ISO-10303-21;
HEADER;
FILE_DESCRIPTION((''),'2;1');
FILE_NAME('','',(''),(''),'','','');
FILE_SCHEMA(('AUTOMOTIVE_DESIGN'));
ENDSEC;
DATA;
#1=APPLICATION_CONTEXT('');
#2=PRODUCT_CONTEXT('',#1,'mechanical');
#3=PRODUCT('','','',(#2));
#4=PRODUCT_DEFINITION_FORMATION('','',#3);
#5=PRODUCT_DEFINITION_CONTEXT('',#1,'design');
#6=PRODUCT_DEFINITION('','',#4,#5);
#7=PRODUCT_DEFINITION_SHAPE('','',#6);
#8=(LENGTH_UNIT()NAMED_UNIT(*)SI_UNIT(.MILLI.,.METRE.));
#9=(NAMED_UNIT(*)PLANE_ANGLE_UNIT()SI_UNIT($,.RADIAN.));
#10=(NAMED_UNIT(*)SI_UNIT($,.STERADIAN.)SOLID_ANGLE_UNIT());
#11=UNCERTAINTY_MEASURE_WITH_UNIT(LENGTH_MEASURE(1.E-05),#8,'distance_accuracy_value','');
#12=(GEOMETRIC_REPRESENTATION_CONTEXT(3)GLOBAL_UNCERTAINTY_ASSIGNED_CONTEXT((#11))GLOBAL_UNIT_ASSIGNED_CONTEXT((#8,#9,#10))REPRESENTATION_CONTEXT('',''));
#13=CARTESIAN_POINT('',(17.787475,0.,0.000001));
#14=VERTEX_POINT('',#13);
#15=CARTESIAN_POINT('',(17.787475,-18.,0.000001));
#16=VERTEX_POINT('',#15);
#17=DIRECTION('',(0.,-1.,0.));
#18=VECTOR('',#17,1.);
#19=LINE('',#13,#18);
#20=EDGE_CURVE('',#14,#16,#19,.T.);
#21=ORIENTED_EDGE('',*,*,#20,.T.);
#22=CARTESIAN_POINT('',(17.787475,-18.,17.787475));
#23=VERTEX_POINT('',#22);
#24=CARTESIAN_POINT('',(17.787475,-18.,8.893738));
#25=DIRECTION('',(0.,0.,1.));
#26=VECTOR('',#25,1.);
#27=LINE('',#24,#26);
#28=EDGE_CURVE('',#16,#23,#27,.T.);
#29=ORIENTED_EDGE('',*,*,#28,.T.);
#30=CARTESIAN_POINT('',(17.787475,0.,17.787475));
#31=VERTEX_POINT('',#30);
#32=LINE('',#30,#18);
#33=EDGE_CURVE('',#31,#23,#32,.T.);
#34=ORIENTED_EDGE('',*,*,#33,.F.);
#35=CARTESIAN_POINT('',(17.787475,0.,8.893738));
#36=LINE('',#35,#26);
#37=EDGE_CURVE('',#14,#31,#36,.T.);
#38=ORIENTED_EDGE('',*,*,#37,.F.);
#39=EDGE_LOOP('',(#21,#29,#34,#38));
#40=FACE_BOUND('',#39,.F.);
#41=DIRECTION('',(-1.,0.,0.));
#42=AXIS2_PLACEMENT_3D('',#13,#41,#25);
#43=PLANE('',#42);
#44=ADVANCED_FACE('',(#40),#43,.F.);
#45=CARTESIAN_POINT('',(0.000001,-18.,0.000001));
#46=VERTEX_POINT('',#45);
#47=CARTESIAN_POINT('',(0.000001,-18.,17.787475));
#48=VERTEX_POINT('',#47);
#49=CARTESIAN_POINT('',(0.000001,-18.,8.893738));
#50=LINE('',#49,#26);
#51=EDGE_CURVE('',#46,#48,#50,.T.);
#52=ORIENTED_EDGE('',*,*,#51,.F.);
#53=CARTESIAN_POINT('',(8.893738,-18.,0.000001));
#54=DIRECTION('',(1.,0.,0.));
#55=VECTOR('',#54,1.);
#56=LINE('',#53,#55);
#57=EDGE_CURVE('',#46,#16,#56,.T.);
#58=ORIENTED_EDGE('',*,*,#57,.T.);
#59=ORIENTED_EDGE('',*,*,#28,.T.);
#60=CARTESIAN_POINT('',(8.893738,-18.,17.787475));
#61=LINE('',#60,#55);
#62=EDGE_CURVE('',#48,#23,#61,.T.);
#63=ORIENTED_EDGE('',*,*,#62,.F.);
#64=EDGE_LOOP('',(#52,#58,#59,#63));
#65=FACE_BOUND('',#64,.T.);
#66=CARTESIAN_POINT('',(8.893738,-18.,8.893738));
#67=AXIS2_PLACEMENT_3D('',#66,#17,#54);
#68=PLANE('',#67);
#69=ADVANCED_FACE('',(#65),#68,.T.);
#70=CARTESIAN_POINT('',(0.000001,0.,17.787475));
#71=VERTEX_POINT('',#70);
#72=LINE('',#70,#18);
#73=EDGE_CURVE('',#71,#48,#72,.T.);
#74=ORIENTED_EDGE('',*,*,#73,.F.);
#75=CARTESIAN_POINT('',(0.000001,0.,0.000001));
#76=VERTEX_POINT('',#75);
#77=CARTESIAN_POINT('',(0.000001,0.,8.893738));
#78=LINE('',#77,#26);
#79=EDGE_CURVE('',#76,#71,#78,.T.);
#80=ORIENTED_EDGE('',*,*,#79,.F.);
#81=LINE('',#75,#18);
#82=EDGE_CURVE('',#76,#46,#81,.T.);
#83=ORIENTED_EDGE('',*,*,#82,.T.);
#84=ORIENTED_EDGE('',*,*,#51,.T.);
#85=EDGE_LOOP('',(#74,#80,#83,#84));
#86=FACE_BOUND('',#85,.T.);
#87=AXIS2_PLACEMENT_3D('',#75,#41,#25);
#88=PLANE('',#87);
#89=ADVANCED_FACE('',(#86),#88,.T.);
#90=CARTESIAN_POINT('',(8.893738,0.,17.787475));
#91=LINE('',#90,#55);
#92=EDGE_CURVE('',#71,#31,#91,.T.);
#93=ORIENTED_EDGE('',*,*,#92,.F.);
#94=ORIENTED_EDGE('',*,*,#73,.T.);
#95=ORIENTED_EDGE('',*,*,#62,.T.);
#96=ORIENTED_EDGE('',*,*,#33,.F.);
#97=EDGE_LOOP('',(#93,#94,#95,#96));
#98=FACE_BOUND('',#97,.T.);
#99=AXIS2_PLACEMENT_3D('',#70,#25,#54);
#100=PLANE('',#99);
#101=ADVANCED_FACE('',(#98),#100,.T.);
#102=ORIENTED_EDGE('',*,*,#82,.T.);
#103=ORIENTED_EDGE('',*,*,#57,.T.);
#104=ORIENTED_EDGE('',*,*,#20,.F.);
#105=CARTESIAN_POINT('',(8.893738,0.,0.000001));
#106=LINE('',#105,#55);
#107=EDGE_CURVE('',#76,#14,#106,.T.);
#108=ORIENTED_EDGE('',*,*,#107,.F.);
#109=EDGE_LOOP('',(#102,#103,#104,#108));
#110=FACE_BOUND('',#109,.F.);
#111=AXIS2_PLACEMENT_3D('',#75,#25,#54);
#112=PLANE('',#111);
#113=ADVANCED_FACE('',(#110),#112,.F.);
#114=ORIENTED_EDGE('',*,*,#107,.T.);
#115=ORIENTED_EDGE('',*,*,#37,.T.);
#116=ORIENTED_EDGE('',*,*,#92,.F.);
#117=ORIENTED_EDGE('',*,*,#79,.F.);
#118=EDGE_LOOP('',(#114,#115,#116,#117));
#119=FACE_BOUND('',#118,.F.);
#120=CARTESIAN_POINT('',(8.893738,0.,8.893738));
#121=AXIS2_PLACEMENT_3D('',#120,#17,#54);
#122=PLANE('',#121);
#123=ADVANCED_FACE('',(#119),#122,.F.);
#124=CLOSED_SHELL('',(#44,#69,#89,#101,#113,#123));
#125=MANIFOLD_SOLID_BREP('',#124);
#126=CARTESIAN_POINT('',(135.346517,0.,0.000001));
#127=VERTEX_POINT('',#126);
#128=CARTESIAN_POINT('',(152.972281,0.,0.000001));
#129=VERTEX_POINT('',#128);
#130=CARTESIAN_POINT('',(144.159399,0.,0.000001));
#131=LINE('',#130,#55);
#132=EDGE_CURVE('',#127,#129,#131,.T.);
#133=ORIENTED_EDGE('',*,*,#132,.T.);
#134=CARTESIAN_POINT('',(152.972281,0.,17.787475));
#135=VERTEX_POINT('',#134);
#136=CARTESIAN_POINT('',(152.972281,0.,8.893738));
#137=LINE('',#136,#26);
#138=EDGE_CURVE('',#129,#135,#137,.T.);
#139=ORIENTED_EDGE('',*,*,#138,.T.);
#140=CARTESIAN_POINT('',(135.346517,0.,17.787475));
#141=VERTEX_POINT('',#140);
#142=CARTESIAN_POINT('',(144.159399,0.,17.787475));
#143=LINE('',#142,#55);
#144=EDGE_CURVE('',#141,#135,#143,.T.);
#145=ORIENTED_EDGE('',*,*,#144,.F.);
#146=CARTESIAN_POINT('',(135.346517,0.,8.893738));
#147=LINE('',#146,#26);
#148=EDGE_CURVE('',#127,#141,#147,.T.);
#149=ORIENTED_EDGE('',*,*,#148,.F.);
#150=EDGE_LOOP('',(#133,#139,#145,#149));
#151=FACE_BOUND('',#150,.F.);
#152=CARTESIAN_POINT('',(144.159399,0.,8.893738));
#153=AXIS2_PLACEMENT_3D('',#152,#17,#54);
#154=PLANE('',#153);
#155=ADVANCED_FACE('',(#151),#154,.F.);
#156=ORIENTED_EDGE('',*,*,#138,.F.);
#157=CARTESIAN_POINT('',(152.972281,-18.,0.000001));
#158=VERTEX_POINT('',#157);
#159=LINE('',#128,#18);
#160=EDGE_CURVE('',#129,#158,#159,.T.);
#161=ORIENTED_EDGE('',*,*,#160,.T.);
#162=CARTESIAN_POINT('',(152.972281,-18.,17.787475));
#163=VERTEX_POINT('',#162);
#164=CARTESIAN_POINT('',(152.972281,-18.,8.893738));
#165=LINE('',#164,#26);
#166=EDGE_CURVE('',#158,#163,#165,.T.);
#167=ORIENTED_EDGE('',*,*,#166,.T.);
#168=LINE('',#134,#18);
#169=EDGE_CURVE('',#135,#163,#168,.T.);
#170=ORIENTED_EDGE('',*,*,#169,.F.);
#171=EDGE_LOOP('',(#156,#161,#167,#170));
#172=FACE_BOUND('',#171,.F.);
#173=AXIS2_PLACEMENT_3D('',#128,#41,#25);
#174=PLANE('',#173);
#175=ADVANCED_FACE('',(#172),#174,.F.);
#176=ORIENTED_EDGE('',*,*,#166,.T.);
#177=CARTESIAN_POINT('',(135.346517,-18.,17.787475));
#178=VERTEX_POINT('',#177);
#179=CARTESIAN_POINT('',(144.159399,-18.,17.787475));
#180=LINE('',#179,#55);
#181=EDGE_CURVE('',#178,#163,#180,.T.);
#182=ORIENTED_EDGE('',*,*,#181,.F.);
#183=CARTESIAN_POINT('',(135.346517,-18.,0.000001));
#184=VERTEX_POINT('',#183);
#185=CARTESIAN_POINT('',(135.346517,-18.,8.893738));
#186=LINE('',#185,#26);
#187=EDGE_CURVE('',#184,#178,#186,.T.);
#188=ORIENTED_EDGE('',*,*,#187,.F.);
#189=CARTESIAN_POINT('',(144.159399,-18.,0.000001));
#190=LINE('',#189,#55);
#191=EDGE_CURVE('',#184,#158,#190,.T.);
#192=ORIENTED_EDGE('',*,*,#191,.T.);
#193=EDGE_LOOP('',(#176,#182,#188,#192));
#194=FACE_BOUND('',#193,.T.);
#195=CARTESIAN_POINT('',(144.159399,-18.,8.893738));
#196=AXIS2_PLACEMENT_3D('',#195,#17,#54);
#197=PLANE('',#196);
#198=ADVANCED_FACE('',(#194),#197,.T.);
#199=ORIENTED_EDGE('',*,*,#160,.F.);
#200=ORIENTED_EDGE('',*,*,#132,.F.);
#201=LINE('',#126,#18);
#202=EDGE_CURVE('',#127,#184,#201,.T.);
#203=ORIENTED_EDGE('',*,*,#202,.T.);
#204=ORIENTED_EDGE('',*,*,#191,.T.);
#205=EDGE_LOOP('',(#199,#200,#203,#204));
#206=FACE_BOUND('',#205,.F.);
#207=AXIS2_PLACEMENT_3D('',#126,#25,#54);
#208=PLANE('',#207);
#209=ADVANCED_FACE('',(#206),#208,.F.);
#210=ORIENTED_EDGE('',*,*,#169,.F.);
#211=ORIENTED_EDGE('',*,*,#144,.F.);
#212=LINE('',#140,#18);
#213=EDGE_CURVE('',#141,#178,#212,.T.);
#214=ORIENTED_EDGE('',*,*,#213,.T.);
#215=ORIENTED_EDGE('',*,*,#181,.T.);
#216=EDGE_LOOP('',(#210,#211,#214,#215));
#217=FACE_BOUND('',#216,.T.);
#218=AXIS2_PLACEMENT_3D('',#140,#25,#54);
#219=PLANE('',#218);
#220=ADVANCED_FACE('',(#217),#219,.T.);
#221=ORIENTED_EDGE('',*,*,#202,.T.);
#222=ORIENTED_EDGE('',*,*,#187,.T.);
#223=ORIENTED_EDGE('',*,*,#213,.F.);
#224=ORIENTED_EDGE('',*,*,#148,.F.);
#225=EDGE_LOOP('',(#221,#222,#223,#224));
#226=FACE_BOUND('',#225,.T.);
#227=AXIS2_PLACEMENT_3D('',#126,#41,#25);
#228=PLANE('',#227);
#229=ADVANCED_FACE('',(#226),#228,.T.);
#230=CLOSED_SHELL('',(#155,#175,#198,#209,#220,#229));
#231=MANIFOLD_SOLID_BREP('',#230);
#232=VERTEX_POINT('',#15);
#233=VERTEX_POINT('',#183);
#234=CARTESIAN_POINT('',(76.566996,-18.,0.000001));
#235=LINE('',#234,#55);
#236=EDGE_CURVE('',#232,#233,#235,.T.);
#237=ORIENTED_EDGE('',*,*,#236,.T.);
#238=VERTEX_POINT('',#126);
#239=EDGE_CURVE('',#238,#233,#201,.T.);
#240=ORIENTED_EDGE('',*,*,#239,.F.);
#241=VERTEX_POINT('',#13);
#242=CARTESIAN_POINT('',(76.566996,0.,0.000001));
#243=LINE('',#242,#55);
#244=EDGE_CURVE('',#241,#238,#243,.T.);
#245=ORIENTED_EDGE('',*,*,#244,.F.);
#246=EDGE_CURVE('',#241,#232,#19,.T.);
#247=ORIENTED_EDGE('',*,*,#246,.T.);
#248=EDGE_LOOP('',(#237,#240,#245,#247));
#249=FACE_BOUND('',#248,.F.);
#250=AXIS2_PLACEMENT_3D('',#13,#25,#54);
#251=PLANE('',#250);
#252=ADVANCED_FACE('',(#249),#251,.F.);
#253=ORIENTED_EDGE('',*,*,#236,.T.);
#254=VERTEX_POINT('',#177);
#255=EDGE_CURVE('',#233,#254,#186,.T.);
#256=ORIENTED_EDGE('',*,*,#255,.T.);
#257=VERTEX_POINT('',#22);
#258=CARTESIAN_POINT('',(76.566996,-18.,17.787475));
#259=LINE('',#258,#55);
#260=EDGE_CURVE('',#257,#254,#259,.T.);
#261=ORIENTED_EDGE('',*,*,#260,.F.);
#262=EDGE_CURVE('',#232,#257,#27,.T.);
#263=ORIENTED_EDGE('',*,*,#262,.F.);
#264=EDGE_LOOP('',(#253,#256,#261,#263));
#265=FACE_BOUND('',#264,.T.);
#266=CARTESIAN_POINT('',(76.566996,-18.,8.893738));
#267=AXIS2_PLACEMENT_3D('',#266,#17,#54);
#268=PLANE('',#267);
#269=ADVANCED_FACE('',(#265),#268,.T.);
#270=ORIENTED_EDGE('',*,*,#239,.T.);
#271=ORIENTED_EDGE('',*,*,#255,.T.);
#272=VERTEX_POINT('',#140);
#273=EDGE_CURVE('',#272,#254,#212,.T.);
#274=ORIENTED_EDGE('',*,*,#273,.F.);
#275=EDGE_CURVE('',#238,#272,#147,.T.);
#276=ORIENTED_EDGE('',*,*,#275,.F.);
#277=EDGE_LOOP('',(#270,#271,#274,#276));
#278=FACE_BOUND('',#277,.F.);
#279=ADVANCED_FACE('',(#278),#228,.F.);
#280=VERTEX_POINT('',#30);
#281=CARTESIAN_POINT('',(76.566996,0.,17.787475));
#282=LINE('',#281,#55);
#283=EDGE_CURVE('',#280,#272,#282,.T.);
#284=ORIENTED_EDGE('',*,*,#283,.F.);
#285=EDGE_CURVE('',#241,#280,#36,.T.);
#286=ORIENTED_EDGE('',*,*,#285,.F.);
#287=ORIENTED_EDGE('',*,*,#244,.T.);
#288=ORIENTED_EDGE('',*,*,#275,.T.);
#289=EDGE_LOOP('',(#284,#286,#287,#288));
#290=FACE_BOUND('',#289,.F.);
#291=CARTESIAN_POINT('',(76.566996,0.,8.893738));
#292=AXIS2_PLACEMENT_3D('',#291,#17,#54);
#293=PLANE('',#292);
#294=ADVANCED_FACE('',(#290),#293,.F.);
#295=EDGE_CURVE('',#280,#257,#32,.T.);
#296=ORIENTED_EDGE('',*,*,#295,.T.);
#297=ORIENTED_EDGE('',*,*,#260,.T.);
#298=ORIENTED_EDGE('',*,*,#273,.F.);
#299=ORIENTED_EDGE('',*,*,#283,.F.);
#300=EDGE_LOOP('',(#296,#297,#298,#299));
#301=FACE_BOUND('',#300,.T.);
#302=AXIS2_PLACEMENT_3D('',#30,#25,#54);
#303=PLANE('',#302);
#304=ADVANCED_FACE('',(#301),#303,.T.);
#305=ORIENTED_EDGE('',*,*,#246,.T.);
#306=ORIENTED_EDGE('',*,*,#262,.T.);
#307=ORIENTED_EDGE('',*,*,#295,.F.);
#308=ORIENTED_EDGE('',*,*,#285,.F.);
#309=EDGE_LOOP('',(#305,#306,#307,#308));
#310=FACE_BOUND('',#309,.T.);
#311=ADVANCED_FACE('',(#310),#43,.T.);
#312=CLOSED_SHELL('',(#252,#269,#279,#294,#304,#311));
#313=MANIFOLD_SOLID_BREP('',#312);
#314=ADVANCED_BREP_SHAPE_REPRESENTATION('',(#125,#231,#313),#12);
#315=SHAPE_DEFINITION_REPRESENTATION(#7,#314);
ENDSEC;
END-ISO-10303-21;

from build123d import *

# Parameters (mm, degrees)
F0_W     = 17.787475
F0_H     = 17.787475
F0_W_2   = 17.625764
F1_DEPTH = 18
F0_W_3   = 117.559042
F2_DEPTH = 18


with BuildPart() as f1:
    # F0 (on Front) → F1 (new body)
    with BuildSketch(Plane.XZ):
        with Locations((8.893738, 8.893738)):
            Rectangle(F0_W, F0_H)
        with Locations((144.159399, 8.893738)):
            Rectangle(F0_W_2, F0_H)
    extrude(amount=F1_DEPTH)


with BuildPart() as f2:
    # F0 (on Front) → F2 (new body)
    with BuildSketch(Plane.XZ):
        with Locations((76.566996, 8.893738)):
            Rectangle(F0_W_3, F0_H)
    extrude(amount=F2_DEPTH)


solid = Compound([f1.part, f2.part])
